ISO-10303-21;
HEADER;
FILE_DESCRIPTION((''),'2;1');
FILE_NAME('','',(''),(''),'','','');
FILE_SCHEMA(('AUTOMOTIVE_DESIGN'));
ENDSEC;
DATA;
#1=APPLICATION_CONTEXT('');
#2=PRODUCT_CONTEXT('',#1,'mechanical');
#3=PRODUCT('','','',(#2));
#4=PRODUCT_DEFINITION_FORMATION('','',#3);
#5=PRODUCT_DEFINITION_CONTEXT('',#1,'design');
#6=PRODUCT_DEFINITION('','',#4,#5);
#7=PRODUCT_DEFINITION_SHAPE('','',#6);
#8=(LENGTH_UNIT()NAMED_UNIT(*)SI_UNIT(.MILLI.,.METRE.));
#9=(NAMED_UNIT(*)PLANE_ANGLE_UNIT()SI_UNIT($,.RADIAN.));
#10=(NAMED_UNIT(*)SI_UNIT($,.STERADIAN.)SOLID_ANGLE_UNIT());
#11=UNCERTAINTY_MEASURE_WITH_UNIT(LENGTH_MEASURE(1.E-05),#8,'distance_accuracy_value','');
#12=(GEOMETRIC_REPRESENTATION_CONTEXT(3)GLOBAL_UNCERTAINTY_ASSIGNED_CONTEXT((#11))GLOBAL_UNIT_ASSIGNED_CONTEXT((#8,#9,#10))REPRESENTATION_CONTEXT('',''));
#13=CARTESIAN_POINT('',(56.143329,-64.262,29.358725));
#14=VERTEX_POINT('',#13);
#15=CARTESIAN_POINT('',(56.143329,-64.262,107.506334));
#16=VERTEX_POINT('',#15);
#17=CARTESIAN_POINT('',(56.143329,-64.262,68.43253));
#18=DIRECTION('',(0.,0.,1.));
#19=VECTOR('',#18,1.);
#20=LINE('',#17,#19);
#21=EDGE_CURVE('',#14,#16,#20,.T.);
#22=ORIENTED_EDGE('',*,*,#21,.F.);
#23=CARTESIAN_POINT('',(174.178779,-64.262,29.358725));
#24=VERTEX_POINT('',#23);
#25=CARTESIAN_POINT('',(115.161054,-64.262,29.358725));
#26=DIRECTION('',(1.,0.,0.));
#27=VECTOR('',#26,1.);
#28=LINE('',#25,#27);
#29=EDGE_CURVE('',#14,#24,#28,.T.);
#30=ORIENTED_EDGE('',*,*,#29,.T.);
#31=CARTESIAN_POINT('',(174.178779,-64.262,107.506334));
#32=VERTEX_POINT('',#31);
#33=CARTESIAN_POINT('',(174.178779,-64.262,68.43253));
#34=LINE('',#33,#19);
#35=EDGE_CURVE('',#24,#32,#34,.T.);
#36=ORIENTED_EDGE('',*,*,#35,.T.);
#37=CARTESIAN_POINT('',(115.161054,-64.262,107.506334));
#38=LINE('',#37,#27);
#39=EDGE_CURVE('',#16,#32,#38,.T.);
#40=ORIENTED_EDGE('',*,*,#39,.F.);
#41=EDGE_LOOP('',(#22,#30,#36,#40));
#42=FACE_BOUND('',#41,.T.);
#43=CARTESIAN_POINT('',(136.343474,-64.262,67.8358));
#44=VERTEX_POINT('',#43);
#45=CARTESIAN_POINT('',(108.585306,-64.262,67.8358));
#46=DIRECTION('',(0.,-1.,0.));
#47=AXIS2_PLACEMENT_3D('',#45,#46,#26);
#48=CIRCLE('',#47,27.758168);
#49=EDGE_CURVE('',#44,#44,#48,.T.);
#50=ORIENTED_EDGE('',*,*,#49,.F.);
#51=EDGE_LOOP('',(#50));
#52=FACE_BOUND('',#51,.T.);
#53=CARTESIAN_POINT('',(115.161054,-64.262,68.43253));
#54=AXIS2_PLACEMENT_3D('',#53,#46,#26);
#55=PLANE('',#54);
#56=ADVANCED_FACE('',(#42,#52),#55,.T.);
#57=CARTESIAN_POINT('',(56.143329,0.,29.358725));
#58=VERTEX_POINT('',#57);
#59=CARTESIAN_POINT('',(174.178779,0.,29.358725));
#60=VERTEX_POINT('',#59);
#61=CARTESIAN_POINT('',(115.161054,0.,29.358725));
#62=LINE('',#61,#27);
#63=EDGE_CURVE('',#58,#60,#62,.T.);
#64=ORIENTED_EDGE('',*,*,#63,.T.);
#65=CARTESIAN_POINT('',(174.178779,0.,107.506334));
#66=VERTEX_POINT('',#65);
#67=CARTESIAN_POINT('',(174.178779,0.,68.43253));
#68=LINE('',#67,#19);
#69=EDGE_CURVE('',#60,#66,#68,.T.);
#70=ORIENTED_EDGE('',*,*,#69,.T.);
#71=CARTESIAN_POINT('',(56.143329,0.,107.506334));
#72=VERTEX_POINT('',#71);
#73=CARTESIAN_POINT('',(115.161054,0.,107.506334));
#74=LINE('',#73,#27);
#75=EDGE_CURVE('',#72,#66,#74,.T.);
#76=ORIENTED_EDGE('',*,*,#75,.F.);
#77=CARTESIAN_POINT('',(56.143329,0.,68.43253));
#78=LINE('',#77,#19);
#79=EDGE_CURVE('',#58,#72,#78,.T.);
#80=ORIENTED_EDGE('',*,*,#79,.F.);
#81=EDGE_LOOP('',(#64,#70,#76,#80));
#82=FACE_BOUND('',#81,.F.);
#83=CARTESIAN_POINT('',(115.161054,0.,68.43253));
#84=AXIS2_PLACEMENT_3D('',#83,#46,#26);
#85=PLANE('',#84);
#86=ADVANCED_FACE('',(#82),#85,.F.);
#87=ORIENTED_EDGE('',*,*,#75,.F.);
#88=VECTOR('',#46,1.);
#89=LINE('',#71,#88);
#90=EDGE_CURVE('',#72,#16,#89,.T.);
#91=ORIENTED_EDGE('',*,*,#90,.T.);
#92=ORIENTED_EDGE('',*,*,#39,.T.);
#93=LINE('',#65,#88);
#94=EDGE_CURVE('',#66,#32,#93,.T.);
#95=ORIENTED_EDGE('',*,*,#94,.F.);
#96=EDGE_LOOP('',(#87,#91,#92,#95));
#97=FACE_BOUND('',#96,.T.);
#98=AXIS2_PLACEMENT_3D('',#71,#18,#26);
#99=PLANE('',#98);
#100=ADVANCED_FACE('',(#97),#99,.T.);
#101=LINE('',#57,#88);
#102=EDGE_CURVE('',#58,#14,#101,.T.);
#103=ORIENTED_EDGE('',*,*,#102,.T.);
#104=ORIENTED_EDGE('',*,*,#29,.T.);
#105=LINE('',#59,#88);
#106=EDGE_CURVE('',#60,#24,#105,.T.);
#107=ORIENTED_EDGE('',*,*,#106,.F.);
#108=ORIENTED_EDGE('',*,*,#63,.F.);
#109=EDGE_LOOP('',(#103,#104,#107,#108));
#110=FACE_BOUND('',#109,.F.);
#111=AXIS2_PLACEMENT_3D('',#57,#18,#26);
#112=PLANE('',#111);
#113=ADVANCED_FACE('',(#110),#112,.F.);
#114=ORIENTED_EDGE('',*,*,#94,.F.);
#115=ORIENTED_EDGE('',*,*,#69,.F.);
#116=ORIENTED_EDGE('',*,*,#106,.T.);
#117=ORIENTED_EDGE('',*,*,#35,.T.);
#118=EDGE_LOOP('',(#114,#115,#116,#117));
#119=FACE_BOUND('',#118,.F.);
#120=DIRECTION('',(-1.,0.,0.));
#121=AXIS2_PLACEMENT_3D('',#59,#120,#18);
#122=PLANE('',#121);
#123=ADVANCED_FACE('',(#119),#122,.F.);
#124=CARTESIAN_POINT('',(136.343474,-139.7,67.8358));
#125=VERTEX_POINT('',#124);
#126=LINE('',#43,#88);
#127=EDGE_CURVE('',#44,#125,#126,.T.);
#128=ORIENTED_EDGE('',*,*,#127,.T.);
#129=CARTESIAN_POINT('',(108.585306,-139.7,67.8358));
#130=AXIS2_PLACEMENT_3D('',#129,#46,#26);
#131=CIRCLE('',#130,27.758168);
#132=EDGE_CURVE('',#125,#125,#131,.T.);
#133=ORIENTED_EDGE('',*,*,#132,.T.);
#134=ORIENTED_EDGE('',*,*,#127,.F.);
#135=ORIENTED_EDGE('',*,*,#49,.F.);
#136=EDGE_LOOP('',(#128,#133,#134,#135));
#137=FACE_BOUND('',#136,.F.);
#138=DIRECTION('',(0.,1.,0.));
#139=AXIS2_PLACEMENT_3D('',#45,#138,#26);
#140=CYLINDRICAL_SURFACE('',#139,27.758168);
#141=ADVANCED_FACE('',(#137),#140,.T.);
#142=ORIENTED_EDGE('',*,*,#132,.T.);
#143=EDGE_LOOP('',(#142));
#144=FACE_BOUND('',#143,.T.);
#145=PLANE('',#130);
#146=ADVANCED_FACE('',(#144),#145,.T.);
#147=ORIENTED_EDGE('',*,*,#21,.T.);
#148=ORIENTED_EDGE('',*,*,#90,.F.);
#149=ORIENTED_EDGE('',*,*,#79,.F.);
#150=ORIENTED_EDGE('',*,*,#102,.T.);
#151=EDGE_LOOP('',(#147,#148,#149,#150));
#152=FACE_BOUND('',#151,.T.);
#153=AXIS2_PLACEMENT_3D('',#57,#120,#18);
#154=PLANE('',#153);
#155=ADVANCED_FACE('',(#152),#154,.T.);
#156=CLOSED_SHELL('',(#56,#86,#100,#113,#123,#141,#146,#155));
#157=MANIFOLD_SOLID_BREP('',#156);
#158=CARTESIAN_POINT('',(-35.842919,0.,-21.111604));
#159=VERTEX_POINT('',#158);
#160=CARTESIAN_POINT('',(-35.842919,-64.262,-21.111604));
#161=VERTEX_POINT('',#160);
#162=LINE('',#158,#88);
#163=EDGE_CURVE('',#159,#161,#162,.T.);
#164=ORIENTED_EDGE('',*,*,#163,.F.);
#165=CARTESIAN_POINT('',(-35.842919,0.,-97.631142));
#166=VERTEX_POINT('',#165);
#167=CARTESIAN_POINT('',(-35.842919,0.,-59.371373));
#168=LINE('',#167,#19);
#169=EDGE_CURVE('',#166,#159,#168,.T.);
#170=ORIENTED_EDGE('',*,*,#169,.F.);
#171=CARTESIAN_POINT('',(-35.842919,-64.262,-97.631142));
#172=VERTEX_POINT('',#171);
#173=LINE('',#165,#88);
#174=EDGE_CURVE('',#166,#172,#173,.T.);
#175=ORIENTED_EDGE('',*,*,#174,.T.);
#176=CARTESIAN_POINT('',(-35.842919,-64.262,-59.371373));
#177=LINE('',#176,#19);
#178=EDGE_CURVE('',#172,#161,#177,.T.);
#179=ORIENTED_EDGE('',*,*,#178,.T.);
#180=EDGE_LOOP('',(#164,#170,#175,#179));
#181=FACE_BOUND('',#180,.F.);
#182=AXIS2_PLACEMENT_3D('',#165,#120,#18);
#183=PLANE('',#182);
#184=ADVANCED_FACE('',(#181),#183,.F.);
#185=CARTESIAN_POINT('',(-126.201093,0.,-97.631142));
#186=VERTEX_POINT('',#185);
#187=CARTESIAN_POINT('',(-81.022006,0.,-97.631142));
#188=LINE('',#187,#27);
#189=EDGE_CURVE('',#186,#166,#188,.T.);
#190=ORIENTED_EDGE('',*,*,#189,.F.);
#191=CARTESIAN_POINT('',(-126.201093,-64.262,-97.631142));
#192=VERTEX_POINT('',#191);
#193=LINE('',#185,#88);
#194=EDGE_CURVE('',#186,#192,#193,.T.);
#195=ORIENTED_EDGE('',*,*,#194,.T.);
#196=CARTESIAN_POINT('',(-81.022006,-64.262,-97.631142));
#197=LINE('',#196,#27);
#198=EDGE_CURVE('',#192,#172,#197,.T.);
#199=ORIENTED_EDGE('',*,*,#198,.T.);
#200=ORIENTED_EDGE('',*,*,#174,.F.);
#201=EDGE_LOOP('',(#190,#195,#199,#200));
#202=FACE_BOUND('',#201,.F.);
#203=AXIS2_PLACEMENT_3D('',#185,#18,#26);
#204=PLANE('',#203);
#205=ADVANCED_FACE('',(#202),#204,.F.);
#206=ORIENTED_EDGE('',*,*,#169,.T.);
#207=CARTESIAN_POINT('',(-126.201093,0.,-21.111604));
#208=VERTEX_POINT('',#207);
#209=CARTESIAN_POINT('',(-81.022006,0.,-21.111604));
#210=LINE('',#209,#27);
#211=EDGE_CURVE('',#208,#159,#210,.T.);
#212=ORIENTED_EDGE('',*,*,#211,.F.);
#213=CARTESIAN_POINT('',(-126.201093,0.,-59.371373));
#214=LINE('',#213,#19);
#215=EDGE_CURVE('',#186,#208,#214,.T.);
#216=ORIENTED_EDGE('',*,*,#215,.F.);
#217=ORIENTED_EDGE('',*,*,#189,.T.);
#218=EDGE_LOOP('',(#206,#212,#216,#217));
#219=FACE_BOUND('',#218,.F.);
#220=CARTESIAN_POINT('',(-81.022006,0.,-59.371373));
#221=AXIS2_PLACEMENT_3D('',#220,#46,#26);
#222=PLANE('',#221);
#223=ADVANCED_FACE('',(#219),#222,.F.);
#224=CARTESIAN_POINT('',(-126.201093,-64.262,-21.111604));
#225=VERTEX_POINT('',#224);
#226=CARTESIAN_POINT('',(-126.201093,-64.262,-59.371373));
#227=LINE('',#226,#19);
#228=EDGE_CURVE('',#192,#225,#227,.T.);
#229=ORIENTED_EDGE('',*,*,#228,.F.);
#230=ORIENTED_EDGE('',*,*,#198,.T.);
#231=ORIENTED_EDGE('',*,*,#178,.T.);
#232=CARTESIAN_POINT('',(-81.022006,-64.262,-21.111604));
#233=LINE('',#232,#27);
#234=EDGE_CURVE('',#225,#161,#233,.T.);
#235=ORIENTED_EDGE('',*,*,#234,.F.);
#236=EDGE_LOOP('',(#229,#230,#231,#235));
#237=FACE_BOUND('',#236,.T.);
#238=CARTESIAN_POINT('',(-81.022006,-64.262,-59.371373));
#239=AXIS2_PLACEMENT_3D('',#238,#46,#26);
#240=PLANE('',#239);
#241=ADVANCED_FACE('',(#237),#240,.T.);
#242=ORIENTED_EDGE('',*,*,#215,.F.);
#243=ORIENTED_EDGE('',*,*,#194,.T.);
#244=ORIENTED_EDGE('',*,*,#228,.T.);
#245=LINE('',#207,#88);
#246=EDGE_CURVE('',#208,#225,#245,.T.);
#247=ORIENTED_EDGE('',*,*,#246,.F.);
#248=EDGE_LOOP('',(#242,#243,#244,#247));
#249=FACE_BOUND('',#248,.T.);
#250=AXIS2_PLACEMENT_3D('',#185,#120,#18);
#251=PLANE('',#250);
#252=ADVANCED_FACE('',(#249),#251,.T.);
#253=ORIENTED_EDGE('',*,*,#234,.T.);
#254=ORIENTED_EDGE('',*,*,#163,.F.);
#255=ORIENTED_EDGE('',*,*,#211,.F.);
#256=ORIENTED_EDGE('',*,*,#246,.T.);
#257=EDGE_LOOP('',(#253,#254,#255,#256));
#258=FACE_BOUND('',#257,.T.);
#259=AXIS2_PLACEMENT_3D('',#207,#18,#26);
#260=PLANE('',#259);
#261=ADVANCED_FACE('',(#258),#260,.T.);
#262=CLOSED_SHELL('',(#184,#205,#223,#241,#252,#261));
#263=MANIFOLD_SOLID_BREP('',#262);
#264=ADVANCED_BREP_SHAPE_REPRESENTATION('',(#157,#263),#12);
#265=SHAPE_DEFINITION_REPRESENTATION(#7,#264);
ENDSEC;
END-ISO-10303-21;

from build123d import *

# Parameters (mm, degrees)
F0_W     = 90.358175
F0_H     = 76.519538
F0_W_2   = 118.03545
F0_H_2   = 78.147609
F1_DEPTH = 64.262
F2_R     = 27.758168
F3_DEPTH = 75.438


with BuildPart() as f1:
    # F0 (on Front) → F1 (new body)
    with BuildSketch(Plane.XZ):
        with Locations((-81.022006, -59.371373)):
            Rectangle(F0_W, F0_H)
        with Locations((115.161054, 68.43253)):
            Rectangle(F0_W_2, F0_H_2)
    extrude(amount=F1_DEPTH)

    # F2 (on face) → F3 (join)
    with BuildSketch(Plane.XZ.offset(64.262)):
        with Locations((108.585306, 67.8358)):
            Circle(F2_R)
    extrude(amount=F3_DEPTH)


solid = f1.part
